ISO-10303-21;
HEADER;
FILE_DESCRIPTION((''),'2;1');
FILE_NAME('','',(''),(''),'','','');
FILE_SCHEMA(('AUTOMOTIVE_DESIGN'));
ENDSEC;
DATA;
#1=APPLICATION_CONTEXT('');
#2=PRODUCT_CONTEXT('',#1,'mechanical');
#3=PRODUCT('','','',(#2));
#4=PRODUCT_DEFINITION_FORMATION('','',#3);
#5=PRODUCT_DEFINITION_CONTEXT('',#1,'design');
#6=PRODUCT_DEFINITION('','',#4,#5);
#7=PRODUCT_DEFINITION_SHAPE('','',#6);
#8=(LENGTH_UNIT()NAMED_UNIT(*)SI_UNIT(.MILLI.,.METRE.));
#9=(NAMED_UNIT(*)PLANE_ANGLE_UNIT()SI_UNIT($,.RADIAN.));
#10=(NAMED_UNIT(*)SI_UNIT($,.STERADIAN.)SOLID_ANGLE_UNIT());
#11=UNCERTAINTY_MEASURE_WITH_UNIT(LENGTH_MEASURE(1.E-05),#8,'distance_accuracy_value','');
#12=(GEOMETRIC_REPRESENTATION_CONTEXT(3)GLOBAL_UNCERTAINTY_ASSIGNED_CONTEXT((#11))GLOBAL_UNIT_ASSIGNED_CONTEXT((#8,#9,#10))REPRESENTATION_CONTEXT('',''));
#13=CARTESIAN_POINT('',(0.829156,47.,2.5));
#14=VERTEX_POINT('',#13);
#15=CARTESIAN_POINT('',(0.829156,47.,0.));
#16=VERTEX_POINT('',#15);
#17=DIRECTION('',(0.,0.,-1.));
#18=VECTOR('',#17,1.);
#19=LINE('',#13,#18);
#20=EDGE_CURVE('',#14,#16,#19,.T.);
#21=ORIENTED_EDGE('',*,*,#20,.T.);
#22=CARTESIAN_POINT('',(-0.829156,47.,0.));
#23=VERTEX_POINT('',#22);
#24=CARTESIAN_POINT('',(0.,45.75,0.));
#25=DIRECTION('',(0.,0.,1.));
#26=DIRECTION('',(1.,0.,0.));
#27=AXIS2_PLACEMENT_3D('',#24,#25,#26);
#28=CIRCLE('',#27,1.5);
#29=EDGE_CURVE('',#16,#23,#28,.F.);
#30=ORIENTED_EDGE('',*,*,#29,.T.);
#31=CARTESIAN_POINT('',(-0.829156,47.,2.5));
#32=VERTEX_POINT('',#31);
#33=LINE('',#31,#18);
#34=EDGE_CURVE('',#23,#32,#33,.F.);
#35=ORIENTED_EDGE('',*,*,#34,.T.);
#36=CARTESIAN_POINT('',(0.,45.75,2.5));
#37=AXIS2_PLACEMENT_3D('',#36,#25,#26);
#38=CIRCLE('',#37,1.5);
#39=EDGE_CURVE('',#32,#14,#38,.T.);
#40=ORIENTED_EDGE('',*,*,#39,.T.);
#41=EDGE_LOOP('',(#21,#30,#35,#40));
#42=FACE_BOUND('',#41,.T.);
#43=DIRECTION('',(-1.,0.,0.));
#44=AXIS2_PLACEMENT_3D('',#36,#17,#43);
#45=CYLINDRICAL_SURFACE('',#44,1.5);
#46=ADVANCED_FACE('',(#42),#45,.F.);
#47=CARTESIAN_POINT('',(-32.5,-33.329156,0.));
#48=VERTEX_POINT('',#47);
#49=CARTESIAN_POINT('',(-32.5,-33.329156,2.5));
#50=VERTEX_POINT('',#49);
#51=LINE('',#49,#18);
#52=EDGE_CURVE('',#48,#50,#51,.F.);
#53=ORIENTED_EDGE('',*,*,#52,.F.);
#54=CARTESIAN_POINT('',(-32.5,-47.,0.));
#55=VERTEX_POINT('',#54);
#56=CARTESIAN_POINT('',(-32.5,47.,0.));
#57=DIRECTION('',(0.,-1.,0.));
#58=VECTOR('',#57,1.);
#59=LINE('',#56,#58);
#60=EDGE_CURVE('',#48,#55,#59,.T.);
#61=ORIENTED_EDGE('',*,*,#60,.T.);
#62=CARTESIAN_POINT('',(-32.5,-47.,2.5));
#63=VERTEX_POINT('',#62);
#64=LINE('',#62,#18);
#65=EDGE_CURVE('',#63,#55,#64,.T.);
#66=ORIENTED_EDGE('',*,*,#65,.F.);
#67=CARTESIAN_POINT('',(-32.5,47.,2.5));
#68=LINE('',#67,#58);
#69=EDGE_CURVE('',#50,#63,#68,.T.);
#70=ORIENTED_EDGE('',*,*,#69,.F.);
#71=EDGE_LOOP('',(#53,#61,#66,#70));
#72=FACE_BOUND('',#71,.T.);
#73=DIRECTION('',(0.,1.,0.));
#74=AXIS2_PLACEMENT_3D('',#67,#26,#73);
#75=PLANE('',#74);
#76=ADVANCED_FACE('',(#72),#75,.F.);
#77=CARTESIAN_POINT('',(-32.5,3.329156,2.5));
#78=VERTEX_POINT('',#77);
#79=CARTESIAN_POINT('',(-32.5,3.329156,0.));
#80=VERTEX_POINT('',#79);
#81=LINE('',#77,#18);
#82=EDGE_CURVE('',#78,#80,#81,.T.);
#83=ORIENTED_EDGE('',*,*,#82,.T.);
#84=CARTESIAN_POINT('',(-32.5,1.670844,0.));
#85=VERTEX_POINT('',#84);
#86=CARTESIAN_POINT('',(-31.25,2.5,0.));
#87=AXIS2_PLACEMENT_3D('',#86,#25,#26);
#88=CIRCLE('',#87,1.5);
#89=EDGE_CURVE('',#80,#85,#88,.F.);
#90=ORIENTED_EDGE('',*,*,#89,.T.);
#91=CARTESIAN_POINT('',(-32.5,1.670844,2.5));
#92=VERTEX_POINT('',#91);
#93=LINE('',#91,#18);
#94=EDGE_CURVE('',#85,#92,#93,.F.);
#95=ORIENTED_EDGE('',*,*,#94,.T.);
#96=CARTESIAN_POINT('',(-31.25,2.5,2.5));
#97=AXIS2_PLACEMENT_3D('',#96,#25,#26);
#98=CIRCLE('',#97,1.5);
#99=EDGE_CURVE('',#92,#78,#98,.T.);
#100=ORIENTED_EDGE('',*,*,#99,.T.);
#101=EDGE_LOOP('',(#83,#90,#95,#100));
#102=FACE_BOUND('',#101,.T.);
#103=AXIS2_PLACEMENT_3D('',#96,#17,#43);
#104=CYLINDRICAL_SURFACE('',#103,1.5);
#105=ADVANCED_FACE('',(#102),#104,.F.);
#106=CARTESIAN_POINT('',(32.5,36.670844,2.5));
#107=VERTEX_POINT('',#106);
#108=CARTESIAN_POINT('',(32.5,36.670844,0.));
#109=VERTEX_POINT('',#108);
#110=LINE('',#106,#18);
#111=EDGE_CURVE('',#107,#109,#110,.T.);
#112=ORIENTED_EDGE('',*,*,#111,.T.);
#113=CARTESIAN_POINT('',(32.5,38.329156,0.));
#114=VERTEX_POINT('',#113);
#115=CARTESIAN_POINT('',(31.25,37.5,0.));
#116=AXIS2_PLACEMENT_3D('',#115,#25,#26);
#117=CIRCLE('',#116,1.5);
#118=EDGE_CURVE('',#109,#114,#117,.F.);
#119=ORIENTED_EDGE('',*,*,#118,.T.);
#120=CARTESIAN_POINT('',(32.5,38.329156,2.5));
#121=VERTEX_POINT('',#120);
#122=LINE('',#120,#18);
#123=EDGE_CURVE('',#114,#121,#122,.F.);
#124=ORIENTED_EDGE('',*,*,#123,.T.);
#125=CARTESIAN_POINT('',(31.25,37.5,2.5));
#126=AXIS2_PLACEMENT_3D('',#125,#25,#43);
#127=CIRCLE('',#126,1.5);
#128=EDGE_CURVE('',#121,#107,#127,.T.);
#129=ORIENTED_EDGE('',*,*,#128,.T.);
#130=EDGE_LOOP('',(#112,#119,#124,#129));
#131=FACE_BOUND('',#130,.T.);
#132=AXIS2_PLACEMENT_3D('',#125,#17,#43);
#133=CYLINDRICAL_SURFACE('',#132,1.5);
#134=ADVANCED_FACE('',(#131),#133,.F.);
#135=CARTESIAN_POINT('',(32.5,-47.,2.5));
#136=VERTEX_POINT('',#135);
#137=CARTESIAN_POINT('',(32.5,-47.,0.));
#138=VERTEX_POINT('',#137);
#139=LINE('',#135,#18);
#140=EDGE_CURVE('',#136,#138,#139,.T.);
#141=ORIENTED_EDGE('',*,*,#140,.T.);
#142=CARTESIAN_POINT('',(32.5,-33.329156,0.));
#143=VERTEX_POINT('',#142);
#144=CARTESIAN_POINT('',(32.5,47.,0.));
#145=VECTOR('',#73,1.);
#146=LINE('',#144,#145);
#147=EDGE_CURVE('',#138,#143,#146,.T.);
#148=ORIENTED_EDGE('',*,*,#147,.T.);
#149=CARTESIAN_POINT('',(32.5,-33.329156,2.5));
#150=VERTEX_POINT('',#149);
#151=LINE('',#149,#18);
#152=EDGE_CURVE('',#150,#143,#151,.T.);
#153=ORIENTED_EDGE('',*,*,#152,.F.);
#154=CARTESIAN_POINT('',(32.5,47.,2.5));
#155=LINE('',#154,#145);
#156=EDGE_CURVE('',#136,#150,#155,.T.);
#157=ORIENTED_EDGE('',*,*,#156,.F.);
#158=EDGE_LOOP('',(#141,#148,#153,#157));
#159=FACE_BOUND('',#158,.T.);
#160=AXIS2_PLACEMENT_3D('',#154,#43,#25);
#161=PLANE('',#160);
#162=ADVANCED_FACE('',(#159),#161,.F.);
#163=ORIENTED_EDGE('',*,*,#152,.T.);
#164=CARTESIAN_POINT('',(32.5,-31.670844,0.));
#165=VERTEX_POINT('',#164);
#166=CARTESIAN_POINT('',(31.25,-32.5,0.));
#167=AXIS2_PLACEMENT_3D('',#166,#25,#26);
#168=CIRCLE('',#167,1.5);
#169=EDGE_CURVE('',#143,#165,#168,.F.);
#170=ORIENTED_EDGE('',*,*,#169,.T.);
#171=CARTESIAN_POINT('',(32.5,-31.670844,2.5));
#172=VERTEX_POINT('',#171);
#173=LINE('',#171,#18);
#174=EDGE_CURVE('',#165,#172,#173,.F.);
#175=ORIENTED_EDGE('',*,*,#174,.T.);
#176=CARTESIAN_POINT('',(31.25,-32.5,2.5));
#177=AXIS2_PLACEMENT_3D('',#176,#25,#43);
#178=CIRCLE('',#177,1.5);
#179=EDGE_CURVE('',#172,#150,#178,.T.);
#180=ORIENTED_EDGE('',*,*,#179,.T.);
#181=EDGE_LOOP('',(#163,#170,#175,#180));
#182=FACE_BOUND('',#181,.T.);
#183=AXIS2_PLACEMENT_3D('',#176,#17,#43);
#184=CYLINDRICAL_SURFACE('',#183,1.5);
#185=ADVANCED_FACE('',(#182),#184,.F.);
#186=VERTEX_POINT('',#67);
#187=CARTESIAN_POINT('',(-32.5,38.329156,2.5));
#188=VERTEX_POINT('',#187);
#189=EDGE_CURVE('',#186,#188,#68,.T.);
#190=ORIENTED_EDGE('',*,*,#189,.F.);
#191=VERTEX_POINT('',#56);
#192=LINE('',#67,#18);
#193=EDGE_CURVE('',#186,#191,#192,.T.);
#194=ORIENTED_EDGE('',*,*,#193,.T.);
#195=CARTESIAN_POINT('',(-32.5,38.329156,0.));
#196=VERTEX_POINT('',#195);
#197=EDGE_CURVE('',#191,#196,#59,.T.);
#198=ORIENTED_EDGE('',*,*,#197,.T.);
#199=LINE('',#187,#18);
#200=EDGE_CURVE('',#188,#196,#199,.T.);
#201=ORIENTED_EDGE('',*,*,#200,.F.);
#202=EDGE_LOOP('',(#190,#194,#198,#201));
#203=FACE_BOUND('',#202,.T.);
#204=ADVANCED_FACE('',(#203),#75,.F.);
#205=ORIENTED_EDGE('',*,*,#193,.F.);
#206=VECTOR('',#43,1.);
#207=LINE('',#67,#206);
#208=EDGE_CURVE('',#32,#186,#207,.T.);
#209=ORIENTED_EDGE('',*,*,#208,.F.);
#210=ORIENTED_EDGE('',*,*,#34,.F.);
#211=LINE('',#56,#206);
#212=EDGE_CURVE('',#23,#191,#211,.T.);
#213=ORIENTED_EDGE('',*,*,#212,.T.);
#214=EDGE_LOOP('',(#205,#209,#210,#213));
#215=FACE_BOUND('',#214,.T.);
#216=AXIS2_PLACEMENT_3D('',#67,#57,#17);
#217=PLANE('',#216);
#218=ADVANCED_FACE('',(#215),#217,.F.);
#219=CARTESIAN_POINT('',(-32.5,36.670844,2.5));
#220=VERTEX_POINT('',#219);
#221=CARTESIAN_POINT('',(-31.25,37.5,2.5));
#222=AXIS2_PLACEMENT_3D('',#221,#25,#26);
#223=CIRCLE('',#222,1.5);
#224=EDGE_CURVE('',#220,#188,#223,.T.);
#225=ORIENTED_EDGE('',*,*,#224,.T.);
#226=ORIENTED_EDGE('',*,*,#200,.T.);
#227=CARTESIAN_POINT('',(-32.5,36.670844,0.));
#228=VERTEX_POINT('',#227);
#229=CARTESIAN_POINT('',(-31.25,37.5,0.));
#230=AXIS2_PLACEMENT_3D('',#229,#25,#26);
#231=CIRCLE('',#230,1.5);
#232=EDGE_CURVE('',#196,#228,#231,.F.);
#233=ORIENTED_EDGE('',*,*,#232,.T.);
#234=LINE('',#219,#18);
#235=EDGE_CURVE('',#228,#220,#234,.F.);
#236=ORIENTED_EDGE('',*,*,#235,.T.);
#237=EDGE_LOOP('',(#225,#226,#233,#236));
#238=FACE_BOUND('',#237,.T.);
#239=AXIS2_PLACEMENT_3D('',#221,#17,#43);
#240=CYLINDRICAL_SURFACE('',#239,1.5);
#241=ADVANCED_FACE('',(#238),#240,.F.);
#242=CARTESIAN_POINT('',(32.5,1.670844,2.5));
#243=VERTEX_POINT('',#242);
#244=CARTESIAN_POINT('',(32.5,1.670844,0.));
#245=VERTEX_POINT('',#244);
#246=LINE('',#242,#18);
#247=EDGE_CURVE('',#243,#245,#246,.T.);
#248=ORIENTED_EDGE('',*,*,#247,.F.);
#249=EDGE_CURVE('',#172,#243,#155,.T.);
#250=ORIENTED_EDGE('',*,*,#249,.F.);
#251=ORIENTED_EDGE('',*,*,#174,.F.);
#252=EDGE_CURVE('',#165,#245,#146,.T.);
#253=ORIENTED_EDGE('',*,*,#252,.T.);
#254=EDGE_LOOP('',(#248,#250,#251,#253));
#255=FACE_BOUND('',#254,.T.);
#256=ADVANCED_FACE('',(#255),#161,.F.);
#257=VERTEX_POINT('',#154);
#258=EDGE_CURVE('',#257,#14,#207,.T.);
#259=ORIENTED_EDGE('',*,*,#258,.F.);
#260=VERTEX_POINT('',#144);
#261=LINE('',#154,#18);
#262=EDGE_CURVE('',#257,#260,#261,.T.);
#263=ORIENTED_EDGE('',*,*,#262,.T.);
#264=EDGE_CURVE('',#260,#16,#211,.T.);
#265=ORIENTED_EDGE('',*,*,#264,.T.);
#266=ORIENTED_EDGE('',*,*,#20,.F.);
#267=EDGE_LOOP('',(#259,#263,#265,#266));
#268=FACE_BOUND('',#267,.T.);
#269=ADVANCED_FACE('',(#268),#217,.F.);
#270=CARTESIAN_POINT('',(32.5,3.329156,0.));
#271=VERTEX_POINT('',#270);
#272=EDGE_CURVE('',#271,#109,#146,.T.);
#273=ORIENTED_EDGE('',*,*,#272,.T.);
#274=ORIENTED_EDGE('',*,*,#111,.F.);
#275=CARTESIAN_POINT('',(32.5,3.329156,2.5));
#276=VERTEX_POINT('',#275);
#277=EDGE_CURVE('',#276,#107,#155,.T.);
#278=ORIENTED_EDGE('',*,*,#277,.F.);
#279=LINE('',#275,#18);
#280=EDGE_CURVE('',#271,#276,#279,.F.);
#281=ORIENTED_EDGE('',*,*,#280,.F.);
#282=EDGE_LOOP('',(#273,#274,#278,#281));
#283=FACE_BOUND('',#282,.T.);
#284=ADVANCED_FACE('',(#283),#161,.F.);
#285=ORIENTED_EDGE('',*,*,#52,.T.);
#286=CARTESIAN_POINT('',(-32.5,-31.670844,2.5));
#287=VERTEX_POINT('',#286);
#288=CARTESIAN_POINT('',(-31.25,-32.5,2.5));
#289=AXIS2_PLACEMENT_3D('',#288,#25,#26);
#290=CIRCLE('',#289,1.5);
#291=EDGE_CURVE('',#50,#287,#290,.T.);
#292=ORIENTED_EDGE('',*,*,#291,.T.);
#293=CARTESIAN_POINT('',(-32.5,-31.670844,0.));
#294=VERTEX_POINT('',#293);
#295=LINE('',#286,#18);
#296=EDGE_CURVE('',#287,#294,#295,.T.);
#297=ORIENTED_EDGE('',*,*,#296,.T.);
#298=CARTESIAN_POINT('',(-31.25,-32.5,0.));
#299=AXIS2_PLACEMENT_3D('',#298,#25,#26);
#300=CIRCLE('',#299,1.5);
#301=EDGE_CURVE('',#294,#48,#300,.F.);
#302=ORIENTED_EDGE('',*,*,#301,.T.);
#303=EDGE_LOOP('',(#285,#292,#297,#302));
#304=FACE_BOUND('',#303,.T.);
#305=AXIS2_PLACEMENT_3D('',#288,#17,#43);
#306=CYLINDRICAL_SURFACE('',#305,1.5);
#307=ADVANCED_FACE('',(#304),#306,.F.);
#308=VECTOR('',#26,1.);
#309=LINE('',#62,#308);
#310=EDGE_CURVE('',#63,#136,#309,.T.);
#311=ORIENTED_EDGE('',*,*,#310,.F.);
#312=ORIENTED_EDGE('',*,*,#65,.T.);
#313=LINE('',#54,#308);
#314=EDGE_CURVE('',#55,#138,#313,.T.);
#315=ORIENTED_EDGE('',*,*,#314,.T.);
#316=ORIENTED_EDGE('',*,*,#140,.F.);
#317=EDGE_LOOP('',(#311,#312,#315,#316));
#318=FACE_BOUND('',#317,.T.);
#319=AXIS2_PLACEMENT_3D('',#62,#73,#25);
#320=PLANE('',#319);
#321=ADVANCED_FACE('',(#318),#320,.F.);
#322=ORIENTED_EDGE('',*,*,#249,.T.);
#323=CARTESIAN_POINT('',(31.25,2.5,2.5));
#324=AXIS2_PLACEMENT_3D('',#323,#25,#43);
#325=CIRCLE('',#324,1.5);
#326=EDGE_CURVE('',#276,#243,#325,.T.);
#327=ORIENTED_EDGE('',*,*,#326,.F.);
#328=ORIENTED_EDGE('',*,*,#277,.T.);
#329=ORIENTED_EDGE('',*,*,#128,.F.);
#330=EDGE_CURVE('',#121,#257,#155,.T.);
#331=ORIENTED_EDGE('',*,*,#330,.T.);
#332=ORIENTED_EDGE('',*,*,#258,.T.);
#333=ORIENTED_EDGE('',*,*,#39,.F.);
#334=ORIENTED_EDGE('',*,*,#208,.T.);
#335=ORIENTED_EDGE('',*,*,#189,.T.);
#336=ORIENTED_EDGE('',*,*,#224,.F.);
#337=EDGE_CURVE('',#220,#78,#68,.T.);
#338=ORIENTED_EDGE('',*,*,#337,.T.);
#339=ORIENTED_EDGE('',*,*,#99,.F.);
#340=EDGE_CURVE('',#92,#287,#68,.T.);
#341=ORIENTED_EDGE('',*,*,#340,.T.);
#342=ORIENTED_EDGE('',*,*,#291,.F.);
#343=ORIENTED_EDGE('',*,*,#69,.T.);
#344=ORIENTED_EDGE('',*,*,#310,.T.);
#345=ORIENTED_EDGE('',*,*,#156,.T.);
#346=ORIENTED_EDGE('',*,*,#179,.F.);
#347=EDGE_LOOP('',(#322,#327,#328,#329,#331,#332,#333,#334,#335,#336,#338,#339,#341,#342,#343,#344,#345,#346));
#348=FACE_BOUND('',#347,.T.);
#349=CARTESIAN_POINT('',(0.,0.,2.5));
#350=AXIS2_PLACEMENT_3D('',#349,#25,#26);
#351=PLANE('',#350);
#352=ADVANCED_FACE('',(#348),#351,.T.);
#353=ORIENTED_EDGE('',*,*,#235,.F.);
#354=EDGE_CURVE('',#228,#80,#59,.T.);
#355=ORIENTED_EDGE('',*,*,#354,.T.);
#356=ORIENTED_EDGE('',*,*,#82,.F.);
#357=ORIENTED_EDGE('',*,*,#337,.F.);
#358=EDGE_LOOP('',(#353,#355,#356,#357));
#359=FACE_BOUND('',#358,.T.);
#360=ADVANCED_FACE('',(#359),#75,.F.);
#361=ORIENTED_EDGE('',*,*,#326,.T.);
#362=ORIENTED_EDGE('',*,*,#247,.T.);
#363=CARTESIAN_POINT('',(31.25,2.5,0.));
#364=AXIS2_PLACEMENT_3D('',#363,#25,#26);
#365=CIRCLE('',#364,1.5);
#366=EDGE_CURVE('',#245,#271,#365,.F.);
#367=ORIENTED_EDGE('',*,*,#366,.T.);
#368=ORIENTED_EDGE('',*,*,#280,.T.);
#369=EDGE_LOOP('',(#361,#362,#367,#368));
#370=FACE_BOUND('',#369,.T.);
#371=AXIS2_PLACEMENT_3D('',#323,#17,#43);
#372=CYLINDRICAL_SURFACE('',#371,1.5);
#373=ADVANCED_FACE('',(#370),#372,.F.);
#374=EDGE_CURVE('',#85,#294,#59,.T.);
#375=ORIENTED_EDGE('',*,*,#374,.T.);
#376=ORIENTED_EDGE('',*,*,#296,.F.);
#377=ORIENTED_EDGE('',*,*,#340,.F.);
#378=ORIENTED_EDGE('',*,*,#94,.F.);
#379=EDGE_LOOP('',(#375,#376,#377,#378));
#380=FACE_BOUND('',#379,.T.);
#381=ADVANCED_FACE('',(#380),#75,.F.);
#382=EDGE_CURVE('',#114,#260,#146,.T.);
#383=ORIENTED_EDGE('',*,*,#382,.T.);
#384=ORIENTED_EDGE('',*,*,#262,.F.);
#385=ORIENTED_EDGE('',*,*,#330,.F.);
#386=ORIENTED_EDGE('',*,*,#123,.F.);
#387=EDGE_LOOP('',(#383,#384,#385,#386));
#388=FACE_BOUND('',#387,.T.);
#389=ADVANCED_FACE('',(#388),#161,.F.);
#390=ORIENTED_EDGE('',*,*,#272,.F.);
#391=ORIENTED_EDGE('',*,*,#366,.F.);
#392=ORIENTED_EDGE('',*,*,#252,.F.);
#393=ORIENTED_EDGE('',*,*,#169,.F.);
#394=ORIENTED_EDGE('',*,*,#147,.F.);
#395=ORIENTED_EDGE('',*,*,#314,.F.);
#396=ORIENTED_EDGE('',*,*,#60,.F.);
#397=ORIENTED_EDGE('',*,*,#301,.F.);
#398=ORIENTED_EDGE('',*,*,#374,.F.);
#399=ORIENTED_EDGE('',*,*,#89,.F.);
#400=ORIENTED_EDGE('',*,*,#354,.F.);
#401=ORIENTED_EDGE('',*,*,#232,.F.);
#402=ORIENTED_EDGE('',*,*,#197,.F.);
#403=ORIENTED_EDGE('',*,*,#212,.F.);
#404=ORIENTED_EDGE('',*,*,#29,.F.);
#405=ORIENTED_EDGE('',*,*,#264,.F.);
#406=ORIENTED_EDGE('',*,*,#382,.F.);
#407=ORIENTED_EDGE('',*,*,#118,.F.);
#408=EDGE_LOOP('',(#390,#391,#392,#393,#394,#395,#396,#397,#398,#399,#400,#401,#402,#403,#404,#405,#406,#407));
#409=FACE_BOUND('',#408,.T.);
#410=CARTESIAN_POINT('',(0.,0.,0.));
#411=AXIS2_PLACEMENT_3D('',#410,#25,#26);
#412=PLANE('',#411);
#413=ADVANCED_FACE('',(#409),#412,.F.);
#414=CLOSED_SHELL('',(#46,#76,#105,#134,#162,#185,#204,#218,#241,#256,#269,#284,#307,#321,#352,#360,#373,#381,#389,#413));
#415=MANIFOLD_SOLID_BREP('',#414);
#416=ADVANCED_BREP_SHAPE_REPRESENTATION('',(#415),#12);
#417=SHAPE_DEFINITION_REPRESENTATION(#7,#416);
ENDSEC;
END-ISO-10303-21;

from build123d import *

# Parameters (mm, degrees)
SKETCH1_W               = 65
SKETCH1_H               = 94
BOSS_EXTRUDE1_DEPTH     = 2.5
CUT_EXTRUDE1_START      = -1
SKETCH2_R               = 1.5
CUT_EXTRUDE1_DEPTH      = 4.5
LPATTERN1_COUNT         = 3
LPATTERN1_PITCH         = 35
SKETCH3_R               = 1.5
CUT_EXTRUDE2_DEPTH      = 3.5
CUT_EXTRUDE2_DEPTH_BACK = 1


with BuildPart() as part:
    # Sketch1 → Boss-Extrude1 (new body)
    with BuildSketch(Plane.XY):
        Rectangle(SKETCH1_W, SKETCH1_H)
    extrude(amount=BOSS_EXTRUDE1_DEPTH)

    # Sketch2 → Cut-Extrude1 (cut)
    with BuildSketch(Plane.XY.offset(CUT_EXTRUDE1_START)):
        with Locations((-31.25, 37.5)):
            Circle(SKETCH2_R)
        with Locations((31.25, 37.5)):
            Circle(SKETCH2_R)
    cut_extrude1 = extrude(amount=CUT_EXTRUDE1_DEPTH, mode=Mode.SUBTRACT)

    # LPattern1: Cut-Extrude1 ×3
    with Locations(*[(0, -i * LPATTERN1_PITCH, 0) for i in range(1, LPATTERN1_COUNT)]):
        add(cut_extrude1, mode=Mode.SUBTRACT)

    # Sketch3 → Cut-Extrude2 (cut, two sides)
    with BuildSketch(Plane.XY) as cut_extrude2_sk:
        with Locations((0, 45.75)):
            Circle(SKETCH3_R)
    extrude(amount=CUT_EXTRUDE2_DEPTH, mode=Mode.SUBTRACT)
    extrude(cut_extrude2_sk.sketch, amount=-CUT_EXTRUDE2_DEPTH_BACK, mode=Mode.SUBTRACT)


solid = part.part
